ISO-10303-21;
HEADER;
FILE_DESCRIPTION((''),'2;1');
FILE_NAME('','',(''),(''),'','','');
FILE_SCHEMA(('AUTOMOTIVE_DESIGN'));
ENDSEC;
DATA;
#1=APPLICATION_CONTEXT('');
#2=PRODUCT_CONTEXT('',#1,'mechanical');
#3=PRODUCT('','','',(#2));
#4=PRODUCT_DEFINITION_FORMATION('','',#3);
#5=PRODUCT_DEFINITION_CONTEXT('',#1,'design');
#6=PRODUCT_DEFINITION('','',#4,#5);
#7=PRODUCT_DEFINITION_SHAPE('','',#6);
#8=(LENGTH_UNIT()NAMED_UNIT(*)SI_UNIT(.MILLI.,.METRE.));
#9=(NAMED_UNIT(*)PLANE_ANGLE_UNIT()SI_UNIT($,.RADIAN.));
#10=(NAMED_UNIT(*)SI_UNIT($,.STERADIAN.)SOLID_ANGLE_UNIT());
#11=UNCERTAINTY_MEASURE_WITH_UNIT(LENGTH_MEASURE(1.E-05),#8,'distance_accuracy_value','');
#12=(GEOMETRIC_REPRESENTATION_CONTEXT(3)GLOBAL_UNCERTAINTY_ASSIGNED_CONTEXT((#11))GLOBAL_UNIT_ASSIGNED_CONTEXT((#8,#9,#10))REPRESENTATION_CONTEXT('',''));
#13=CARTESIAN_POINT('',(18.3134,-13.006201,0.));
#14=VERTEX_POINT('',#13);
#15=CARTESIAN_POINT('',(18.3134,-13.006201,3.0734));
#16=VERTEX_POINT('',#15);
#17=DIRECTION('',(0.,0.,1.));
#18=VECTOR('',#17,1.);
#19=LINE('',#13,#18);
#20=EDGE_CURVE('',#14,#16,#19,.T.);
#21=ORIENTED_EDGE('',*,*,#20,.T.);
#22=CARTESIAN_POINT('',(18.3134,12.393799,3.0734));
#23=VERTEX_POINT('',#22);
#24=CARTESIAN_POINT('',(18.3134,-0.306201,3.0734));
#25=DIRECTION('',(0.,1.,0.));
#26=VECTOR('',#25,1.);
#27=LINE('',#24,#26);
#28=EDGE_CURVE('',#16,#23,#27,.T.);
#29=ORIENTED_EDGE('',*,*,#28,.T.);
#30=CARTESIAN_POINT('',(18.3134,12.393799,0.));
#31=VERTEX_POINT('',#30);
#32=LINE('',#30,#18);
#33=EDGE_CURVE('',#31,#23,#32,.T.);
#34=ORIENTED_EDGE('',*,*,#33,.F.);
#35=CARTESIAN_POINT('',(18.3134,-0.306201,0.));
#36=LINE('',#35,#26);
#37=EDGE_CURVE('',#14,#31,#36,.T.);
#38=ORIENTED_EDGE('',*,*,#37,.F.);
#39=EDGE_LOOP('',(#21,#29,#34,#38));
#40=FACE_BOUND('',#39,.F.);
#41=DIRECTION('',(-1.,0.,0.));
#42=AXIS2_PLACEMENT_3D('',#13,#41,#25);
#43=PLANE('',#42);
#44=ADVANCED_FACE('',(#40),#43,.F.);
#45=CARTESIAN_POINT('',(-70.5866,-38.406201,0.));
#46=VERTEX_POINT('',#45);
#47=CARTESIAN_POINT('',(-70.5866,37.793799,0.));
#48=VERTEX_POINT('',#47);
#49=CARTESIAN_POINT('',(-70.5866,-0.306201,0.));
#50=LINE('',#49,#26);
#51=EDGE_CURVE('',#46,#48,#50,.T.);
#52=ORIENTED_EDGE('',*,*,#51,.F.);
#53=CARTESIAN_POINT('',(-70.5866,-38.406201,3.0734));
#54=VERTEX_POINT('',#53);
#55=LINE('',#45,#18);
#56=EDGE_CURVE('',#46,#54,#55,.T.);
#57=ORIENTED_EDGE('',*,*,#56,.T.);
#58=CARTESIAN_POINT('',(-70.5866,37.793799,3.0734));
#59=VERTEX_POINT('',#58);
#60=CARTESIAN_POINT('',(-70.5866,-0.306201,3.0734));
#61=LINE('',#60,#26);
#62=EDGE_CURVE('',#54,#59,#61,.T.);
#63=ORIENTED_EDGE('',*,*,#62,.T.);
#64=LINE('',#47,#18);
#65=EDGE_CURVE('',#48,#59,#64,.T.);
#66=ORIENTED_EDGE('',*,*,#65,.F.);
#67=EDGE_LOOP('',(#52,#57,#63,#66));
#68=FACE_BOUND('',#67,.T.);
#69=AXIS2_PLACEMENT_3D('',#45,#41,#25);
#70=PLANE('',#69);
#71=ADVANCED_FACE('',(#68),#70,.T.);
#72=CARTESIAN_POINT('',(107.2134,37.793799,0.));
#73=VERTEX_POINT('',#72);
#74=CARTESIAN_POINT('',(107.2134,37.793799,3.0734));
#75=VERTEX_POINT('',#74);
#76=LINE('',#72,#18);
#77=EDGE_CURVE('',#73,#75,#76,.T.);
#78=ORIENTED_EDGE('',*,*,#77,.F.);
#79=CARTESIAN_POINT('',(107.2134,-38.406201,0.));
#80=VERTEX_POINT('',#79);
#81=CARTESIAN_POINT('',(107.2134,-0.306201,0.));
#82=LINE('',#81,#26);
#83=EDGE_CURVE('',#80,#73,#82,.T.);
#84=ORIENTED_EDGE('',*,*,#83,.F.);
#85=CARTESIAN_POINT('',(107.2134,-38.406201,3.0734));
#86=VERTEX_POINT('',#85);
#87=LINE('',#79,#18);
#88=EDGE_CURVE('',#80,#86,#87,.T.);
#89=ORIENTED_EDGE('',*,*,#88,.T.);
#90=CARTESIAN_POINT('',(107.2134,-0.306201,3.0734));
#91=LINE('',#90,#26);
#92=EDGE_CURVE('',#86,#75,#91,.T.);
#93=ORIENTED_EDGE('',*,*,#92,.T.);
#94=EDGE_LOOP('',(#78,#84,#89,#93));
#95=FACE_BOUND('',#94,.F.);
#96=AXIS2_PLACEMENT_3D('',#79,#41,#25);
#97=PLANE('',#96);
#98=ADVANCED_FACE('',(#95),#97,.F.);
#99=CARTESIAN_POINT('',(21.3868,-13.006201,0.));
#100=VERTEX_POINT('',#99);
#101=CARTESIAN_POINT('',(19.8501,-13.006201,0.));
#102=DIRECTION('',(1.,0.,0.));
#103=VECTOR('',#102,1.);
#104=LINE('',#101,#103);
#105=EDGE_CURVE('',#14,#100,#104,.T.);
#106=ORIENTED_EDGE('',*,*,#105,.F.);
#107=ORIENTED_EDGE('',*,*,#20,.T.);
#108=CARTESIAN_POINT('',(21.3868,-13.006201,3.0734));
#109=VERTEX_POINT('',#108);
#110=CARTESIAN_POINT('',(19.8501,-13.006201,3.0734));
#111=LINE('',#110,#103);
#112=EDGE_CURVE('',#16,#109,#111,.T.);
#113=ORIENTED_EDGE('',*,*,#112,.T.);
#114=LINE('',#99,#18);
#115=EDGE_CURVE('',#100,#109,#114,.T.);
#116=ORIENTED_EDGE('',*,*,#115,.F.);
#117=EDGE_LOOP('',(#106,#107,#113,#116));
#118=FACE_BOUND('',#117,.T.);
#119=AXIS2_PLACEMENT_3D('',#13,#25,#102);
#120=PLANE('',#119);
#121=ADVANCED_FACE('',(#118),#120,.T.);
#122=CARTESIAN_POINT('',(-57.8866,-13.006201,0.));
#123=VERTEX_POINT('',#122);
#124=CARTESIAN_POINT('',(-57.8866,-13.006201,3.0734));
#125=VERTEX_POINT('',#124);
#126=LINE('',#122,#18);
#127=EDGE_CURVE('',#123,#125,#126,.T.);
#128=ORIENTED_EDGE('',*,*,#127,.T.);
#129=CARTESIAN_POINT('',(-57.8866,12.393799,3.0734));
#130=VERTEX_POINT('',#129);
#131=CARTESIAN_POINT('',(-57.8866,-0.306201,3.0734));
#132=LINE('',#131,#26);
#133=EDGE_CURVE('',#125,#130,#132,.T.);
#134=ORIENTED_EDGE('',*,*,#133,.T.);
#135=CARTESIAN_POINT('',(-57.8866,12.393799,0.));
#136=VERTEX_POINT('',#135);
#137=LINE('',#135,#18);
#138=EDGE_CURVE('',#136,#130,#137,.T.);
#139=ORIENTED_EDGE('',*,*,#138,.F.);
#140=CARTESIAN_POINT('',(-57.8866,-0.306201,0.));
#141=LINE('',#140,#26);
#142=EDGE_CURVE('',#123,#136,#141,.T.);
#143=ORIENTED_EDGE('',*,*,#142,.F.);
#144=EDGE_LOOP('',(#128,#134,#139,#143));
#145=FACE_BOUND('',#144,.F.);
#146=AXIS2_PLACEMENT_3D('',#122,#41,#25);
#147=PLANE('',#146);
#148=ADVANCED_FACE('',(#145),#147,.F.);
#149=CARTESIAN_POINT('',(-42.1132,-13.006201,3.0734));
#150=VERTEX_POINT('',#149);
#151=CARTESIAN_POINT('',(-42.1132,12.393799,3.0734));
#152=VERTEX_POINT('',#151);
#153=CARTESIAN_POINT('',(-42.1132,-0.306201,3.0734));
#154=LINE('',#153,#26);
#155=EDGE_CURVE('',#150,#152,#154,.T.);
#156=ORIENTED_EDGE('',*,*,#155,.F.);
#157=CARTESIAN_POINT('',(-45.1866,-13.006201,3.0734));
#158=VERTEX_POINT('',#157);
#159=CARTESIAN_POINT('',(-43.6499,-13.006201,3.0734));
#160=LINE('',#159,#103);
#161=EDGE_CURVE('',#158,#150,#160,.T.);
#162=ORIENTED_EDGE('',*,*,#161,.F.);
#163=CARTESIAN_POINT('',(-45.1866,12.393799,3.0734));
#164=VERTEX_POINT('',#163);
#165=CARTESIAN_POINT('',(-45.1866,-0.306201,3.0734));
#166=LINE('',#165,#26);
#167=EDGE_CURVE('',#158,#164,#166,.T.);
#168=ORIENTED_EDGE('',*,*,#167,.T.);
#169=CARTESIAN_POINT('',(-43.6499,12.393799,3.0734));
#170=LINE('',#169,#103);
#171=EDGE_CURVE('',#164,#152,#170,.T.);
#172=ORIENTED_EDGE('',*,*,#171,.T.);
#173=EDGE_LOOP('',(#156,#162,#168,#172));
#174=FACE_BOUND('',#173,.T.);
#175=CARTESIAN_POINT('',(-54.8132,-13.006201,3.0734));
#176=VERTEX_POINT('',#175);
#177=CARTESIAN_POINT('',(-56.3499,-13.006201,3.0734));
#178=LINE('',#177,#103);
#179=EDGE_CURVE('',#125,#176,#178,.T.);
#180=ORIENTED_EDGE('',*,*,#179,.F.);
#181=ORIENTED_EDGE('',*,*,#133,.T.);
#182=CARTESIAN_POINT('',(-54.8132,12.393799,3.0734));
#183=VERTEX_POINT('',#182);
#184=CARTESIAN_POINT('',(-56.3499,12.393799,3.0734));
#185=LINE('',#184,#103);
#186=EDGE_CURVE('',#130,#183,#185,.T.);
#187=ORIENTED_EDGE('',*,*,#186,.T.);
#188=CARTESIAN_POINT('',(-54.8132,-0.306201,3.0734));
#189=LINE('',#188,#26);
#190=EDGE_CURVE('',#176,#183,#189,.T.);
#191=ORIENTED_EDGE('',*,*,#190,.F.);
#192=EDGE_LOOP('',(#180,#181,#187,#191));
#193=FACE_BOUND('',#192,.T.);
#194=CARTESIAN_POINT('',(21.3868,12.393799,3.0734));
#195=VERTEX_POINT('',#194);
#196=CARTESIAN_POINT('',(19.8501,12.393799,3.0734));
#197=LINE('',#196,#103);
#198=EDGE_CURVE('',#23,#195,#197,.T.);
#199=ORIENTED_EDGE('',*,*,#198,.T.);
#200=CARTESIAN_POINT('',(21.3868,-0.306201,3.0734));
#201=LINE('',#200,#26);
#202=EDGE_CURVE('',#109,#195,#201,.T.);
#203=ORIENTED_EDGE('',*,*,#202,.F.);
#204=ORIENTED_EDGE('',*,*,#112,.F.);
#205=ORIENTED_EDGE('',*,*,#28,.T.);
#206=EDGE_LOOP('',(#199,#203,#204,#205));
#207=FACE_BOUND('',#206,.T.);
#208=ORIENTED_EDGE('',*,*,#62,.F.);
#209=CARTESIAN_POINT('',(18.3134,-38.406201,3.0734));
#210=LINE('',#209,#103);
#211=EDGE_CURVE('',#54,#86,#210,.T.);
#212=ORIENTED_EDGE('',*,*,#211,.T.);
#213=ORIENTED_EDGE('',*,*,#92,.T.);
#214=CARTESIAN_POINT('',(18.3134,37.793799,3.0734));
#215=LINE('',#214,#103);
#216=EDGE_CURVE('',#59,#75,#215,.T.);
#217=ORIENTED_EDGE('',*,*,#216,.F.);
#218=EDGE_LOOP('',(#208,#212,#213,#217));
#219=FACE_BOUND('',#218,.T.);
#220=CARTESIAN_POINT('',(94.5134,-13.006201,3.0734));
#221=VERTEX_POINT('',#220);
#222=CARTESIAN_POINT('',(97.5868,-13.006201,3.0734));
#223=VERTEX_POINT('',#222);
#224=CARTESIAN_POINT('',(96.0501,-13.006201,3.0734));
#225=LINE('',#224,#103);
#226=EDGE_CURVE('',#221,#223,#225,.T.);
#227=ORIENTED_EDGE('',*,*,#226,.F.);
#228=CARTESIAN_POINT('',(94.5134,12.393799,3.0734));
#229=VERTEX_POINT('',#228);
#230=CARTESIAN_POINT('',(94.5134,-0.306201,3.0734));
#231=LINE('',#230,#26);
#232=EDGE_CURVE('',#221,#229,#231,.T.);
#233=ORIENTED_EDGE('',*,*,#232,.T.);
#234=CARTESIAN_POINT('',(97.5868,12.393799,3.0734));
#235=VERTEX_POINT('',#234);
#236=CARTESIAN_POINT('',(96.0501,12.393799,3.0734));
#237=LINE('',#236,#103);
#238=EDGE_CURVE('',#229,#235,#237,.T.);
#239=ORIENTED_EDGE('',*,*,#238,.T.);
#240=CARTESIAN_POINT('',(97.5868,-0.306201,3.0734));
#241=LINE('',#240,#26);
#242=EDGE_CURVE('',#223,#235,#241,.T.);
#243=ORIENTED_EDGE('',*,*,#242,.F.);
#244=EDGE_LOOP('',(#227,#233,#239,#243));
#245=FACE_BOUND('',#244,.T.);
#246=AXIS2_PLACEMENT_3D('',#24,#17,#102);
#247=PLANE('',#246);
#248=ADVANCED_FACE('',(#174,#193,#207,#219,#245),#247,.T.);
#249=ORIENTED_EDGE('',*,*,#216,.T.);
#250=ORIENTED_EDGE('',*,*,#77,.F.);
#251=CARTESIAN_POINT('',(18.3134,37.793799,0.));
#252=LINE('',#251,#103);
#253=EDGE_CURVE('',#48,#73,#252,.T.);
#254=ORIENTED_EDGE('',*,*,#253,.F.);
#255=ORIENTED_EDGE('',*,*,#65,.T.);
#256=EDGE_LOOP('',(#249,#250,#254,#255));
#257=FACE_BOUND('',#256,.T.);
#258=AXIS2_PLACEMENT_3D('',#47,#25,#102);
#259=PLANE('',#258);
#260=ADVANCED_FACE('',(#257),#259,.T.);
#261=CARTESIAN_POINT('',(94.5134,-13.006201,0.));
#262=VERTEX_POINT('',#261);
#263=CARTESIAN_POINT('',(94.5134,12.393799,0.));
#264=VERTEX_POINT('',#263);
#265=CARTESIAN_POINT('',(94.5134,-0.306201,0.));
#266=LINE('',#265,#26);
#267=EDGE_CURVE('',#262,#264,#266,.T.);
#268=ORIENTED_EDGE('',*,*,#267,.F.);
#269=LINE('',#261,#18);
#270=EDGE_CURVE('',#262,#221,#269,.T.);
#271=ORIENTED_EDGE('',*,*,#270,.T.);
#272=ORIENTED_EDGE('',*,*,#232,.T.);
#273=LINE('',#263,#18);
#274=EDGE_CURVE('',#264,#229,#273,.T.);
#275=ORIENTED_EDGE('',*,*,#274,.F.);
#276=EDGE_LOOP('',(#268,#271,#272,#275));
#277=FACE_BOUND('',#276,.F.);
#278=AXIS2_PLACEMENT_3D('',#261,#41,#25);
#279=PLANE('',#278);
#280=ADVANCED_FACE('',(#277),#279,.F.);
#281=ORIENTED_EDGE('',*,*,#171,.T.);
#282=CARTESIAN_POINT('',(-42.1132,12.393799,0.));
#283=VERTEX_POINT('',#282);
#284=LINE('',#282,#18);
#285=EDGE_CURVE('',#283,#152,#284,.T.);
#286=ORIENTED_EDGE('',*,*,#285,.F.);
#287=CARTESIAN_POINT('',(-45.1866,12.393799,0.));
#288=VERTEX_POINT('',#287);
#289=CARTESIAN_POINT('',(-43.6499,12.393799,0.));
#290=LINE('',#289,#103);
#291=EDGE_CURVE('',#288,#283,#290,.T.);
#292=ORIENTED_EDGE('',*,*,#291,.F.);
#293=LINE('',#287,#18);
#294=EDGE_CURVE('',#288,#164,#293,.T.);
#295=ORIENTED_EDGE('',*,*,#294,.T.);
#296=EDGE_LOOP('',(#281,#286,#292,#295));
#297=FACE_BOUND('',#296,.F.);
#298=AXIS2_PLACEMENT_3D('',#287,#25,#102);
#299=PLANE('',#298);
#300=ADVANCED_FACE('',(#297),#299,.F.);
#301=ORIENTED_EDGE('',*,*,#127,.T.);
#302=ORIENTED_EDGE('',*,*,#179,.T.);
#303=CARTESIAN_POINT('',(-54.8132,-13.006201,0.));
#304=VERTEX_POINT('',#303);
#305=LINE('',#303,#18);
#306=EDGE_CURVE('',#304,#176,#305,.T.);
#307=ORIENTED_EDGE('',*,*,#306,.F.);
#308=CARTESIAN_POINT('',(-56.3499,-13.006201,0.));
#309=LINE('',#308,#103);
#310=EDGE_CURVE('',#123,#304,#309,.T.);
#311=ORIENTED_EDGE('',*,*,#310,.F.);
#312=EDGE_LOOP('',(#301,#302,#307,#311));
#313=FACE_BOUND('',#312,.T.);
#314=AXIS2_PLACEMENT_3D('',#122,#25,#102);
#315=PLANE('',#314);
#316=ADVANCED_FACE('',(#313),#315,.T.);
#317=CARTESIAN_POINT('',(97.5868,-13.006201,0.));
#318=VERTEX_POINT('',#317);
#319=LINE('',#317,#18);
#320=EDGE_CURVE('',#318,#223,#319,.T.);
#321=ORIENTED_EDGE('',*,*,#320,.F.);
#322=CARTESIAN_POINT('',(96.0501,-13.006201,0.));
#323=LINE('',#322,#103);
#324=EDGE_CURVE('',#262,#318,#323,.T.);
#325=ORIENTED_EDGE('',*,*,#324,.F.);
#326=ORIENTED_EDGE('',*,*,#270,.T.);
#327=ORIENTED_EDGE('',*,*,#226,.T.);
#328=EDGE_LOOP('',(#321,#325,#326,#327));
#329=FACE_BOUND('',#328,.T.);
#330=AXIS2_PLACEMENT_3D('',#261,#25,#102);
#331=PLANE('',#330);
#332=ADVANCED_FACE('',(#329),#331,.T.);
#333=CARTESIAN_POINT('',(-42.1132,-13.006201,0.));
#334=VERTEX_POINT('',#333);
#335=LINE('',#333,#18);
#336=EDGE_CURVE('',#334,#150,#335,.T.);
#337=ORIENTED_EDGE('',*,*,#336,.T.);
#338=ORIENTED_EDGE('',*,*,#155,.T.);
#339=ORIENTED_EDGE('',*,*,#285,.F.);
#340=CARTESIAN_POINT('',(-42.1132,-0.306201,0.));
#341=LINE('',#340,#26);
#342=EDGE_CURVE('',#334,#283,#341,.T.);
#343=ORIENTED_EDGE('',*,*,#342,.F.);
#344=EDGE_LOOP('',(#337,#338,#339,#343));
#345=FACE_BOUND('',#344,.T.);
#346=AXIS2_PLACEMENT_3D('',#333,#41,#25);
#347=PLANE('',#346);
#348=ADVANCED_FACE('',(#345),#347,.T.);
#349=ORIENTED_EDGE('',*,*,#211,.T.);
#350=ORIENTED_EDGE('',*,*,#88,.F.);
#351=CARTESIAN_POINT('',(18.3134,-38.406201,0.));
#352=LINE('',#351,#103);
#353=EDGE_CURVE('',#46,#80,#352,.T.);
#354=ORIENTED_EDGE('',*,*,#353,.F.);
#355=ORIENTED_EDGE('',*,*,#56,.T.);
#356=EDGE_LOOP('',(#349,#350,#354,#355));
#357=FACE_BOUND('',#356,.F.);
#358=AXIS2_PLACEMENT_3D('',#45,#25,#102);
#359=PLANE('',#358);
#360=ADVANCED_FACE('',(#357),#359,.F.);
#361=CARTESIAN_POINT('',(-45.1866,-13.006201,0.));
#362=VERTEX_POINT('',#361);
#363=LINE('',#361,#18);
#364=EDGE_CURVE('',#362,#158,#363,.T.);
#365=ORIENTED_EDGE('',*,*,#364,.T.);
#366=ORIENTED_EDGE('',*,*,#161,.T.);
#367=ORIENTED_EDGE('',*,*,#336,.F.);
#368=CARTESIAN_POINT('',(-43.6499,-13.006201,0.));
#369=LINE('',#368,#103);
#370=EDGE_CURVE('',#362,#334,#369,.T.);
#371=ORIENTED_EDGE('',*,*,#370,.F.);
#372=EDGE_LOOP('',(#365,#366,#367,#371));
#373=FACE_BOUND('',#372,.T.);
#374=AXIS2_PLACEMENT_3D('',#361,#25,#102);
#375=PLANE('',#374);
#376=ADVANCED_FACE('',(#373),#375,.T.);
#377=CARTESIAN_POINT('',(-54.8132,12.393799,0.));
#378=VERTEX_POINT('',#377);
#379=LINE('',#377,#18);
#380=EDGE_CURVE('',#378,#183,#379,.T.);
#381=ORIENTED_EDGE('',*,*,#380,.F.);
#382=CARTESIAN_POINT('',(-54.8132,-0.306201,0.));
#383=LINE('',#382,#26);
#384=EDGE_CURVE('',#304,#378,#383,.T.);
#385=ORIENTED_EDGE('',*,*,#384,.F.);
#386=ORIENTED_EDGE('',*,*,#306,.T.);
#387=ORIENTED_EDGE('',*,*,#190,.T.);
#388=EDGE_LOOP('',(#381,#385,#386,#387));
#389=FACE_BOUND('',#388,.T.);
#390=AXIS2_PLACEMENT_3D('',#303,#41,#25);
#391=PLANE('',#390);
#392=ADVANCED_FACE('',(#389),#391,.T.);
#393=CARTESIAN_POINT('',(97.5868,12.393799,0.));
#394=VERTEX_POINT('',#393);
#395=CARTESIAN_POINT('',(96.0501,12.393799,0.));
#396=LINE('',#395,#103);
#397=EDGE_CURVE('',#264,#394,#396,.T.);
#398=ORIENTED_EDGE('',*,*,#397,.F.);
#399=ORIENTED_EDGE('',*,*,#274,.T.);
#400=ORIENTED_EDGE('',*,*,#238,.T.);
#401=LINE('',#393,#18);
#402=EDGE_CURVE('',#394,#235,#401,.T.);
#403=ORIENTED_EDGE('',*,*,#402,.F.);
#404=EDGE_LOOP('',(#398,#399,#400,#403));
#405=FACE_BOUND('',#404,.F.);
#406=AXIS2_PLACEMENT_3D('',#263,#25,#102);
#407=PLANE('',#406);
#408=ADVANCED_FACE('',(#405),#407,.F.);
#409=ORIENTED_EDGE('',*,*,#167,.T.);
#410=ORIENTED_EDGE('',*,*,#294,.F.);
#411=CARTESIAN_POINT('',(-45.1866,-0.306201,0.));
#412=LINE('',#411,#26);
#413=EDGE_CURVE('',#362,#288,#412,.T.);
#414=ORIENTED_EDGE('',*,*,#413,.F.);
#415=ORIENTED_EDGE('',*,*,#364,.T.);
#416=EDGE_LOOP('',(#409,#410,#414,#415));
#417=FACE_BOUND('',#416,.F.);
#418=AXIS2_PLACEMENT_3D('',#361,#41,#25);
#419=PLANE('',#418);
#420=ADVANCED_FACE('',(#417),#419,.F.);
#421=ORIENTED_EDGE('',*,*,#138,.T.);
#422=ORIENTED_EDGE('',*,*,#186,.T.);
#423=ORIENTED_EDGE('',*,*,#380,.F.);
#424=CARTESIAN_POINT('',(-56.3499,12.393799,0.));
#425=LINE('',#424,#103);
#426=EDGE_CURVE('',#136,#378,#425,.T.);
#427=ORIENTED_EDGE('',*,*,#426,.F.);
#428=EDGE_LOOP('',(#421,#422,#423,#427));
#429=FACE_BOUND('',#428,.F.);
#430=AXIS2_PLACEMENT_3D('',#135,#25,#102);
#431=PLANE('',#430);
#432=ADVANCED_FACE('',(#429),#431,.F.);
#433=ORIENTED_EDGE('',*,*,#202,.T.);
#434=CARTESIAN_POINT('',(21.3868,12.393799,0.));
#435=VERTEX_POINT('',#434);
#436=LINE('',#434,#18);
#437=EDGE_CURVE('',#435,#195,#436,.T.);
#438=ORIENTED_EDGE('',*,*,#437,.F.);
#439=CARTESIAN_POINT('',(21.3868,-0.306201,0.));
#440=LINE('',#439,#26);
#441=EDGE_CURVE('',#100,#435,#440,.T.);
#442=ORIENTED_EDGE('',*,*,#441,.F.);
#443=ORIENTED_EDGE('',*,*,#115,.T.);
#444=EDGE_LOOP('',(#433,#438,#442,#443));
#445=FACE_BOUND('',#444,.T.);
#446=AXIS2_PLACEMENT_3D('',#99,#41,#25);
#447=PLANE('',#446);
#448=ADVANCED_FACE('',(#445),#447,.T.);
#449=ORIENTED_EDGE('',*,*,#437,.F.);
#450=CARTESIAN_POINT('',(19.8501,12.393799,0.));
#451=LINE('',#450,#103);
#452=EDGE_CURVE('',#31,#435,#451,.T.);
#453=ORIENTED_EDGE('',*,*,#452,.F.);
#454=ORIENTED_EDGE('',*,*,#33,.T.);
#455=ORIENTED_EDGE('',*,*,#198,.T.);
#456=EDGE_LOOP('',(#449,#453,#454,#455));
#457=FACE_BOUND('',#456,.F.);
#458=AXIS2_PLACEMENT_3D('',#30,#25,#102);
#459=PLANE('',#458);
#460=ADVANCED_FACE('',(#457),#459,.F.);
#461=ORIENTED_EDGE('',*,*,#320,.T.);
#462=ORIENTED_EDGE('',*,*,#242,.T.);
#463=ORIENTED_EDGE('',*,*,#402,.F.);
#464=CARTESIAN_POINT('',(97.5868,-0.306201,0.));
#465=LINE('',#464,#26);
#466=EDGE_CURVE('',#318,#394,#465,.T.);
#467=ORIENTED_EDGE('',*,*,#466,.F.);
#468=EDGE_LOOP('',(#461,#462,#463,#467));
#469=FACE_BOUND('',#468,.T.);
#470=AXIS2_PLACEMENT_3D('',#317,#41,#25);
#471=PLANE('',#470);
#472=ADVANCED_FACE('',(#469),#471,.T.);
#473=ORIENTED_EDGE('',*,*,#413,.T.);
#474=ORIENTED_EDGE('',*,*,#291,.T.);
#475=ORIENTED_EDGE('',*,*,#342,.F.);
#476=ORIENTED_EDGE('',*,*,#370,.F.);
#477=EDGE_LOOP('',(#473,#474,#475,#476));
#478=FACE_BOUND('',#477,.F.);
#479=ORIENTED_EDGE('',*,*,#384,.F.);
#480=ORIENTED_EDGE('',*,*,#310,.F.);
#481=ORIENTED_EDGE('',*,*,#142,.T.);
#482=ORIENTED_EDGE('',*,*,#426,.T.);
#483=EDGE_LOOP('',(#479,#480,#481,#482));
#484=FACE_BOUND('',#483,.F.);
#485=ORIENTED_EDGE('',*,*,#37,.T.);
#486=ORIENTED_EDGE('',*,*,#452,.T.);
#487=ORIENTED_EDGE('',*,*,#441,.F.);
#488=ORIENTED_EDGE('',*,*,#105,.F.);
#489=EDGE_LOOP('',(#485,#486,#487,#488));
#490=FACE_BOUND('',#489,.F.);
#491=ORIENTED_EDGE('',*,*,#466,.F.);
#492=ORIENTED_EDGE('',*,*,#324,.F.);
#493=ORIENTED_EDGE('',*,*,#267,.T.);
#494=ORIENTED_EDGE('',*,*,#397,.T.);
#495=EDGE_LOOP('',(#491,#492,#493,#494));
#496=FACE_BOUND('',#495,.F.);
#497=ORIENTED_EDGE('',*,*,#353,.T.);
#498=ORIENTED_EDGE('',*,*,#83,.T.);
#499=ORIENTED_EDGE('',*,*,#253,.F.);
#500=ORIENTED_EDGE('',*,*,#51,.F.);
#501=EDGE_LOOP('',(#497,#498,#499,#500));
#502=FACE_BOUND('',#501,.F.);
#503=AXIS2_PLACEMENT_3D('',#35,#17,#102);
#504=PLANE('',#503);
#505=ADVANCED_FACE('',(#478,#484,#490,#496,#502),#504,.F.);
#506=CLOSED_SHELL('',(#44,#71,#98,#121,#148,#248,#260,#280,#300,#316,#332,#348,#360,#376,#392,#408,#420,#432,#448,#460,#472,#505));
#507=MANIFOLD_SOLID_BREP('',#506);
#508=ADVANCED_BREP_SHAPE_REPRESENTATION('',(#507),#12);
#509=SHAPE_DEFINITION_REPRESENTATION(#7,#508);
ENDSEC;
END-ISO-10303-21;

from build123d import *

# Parameters (mm, degrees)
F0_W     = 177.8
F0_H     = 76.2
F0_W_2   = 3.0734
F0_H_2   = 25.4
F1_DEPTH = 3.0734


with BuildPart() as f1:
    # F0 (on Top) → F1 (new body)
    with BuildSketch(Plane.XY):
        with Locations((18.3134, -0.306201)):
            Rectangle(F0_W, F0_H)
        with Locations((19.8501, -0.306201)):
            Rectangle(F0_W_2, F0_H_2, mode=Mode.SUBTRACT)
        with Locations((-56.3499, -0.306201)):
            Rectangle(F0_W_2, F0_H_2, mode=Mode.SUBTRACT)
        with Locations((-43.6499, -0.306201)):
            Rectangle(F0_W_2, F0_H_2, mode=Mode.SUBTRACT)
        with Locations((96.0501, -0.306201)):
            Rectangle(F0_W_2, F0_H_2, mode=Mode.SUBTRACT)
    extrude(amount=F1_DEPTH)


solid = f1.part
